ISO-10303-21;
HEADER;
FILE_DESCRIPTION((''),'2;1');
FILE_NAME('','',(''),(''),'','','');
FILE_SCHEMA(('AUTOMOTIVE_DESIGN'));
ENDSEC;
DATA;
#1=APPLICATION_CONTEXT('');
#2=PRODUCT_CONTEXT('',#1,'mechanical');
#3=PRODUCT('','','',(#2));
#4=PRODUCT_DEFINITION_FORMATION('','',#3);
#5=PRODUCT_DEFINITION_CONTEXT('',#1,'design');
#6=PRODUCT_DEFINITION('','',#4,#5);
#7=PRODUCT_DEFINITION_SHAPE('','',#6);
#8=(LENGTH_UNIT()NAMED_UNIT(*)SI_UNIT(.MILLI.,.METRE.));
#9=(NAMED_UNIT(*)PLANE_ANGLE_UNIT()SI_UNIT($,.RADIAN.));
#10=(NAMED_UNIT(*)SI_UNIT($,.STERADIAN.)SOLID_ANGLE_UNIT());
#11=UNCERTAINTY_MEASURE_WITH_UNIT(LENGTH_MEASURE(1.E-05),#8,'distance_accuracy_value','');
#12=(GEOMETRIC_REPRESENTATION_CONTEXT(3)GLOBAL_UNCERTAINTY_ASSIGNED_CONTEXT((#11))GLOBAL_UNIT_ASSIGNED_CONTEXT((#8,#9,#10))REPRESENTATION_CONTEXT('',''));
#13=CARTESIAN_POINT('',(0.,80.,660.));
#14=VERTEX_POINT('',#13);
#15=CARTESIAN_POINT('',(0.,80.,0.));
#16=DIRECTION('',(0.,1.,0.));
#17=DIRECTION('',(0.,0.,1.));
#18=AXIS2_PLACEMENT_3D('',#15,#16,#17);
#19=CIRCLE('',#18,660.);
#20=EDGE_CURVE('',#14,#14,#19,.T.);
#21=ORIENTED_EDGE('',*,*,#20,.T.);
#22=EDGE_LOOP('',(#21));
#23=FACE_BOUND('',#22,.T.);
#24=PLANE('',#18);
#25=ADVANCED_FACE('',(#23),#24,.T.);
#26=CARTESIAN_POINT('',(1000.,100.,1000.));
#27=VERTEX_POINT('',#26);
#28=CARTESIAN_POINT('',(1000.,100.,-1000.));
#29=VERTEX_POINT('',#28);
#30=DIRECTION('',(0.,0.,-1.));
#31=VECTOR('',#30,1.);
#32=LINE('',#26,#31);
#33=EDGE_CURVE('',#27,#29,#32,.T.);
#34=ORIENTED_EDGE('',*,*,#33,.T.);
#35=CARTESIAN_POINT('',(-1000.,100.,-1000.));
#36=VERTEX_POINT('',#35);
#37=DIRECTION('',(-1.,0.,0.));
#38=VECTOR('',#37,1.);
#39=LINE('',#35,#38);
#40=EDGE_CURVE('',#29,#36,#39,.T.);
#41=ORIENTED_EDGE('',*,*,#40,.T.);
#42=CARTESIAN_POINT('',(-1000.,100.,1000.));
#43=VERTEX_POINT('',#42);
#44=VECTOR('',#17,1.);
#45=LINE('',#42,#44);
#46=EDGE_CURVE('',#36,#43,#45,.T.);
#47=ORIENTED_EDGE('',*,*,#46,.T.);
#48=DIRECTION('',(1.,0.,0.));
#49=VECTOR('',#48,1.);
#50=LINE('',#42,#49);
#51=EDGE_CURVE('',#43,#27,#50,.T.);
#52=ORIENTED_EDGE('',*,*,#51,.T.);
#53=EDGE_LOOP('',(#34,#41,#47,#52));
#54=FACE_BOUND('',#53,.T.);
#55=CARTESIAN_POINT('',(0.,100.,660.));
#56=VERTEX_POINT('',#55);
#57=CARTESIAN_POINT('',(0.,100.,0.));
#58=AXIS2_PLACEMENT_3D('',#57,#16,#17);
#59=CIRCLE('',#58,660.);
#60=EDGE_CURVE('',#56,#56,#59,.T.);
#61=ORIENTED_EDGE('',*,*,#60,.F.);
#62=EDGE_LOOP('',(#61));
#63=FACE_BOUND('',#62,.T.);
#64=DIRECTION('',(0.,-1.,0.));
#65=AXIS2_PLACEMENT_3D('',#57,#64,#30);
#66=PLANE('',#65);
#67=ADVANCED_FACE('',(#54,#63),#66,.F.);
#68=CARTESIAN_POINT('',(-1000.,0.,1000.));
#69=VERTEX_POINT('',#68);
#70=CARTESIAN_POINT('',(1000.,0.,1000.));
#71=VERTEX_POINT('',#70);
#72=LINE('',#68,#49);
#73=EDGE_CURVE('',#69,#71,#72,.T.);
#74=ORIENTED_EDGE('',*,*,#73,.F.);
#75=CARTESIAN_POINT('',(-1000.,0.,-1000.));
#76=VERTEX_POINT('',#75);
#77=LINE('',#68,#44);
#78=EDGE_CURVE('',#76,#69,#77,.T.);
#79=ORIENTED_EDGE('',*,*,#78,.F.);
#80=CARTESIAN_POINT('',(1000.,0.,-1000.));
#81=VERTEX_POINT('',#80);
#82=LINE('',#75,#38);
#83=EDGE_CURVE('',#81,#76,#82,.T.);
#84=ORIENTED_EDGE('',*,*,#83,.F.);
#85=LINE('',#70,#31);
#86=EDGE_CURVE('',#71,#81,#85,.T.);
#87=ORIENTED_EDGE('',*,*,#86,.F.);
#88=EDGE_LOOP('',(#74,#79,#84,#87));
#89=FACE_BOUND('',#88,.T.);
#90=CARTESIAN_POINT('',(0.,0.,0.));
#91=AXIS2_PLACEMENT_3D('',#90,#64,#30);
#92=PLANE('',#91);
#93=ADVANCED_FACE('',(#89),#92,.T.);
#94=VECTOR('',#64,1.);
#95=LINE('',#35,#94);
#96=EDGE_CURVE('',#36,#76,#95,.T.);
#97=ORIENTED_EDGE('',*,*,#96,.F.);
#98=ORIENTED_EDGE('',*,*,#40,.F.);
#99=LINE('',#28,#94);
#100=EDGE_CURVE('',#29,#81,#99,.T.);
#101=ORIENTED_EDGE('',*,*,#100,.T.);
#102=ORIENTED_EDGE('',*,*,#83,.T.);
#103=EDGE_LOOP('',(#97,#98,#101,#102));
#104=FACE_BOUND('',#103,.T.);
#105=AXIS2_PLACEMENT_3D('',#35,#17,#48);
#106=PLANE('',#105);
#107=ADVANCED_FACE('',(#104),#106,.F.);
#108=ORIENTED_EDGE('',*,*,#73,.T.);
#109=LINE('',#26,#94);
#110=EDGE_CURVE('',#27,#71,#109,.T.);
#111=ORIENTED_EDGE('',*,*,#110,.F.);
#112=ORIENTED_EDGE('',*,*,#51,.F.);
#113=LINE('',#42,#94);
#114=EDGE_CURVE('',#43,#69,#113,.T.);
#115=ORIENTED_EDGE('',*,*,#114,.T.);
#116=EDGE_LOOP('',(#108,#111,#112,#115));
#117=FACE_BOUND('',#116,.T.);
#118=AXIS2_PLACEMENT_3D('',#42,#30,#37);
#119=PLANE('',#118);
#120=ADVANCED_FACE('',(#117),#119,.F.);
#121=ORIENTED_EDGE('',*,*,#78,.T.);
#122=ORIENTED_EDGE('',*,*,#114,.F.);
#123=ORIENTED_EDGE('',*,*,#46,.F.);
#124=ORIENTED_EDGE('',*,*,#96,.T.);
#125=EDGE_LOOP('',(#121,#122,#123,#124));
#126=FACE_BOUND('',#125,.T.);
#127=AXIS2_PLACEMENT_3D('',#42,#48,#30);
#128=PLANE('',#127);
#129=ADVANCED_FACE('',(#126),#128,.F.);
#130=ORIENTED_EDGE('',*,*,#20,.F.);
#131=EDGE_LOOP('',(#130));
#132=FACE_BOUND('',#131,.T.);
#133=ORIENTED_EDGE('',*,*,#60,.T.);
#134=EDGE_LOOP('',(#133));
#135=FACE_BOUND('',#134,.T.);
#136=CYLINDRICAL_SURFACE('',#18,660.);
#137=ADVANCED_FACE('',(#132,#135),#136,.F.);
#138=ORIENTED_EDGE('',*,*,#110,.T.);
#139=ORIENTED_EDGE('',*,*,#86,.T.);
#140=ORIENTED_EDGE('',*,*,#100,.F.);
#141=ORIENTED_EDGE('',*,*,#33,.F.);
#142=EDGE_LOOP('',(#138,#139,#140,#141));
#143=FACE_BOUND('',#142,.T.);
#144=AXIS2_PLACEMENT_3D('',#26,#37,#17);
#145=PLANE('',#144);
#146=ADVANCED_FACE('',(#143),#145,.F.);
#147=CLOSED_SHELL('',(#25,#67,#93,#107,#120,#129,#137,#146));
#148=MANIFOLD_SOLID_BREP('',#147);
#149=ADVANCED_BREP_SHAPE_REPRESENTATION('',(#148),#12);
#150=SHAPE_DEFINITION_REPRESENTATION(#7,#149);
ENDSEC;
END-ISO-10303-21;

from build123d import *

# Parameters (mm, degrees)
SKETCH1_W           = 2000
SKETCH1_H           = 2000
BOSS_EXTRUDE1_DEPTH = 100
SKETCH2_R           = 660
CUT_EXTRUDE1_DEPTH  = 20


with BuildPart() as part:
    # Sketch1 → Boss-Extrude1 (new body)
    with BuildSketch(Plane(origin=(0, 0, 0), x_dir=(1, 0, 0), z_dir=(0, 1, 0))):
        Rectangle(SKETCH1_W, SKETCH1_H)
    extrude(amount=BOSS_EXTRUDE1_DEPTH)

    # Sketch2 → Cut-Extrude1 (cut)
    with BuildSketch(Plane(origin=(0, 100, 0), x_dir=(1, 0, 0), z_dir=(0, 1, 0))):
        with Locations(Location((0, 0, 0), (0, 0, 270))):
            Circle(SKETCH2_R)
    extrude(amount=-CUT_EXTRUDE1_DEPTH, mode=Mode.SUBTRACT)


solid = part.part
